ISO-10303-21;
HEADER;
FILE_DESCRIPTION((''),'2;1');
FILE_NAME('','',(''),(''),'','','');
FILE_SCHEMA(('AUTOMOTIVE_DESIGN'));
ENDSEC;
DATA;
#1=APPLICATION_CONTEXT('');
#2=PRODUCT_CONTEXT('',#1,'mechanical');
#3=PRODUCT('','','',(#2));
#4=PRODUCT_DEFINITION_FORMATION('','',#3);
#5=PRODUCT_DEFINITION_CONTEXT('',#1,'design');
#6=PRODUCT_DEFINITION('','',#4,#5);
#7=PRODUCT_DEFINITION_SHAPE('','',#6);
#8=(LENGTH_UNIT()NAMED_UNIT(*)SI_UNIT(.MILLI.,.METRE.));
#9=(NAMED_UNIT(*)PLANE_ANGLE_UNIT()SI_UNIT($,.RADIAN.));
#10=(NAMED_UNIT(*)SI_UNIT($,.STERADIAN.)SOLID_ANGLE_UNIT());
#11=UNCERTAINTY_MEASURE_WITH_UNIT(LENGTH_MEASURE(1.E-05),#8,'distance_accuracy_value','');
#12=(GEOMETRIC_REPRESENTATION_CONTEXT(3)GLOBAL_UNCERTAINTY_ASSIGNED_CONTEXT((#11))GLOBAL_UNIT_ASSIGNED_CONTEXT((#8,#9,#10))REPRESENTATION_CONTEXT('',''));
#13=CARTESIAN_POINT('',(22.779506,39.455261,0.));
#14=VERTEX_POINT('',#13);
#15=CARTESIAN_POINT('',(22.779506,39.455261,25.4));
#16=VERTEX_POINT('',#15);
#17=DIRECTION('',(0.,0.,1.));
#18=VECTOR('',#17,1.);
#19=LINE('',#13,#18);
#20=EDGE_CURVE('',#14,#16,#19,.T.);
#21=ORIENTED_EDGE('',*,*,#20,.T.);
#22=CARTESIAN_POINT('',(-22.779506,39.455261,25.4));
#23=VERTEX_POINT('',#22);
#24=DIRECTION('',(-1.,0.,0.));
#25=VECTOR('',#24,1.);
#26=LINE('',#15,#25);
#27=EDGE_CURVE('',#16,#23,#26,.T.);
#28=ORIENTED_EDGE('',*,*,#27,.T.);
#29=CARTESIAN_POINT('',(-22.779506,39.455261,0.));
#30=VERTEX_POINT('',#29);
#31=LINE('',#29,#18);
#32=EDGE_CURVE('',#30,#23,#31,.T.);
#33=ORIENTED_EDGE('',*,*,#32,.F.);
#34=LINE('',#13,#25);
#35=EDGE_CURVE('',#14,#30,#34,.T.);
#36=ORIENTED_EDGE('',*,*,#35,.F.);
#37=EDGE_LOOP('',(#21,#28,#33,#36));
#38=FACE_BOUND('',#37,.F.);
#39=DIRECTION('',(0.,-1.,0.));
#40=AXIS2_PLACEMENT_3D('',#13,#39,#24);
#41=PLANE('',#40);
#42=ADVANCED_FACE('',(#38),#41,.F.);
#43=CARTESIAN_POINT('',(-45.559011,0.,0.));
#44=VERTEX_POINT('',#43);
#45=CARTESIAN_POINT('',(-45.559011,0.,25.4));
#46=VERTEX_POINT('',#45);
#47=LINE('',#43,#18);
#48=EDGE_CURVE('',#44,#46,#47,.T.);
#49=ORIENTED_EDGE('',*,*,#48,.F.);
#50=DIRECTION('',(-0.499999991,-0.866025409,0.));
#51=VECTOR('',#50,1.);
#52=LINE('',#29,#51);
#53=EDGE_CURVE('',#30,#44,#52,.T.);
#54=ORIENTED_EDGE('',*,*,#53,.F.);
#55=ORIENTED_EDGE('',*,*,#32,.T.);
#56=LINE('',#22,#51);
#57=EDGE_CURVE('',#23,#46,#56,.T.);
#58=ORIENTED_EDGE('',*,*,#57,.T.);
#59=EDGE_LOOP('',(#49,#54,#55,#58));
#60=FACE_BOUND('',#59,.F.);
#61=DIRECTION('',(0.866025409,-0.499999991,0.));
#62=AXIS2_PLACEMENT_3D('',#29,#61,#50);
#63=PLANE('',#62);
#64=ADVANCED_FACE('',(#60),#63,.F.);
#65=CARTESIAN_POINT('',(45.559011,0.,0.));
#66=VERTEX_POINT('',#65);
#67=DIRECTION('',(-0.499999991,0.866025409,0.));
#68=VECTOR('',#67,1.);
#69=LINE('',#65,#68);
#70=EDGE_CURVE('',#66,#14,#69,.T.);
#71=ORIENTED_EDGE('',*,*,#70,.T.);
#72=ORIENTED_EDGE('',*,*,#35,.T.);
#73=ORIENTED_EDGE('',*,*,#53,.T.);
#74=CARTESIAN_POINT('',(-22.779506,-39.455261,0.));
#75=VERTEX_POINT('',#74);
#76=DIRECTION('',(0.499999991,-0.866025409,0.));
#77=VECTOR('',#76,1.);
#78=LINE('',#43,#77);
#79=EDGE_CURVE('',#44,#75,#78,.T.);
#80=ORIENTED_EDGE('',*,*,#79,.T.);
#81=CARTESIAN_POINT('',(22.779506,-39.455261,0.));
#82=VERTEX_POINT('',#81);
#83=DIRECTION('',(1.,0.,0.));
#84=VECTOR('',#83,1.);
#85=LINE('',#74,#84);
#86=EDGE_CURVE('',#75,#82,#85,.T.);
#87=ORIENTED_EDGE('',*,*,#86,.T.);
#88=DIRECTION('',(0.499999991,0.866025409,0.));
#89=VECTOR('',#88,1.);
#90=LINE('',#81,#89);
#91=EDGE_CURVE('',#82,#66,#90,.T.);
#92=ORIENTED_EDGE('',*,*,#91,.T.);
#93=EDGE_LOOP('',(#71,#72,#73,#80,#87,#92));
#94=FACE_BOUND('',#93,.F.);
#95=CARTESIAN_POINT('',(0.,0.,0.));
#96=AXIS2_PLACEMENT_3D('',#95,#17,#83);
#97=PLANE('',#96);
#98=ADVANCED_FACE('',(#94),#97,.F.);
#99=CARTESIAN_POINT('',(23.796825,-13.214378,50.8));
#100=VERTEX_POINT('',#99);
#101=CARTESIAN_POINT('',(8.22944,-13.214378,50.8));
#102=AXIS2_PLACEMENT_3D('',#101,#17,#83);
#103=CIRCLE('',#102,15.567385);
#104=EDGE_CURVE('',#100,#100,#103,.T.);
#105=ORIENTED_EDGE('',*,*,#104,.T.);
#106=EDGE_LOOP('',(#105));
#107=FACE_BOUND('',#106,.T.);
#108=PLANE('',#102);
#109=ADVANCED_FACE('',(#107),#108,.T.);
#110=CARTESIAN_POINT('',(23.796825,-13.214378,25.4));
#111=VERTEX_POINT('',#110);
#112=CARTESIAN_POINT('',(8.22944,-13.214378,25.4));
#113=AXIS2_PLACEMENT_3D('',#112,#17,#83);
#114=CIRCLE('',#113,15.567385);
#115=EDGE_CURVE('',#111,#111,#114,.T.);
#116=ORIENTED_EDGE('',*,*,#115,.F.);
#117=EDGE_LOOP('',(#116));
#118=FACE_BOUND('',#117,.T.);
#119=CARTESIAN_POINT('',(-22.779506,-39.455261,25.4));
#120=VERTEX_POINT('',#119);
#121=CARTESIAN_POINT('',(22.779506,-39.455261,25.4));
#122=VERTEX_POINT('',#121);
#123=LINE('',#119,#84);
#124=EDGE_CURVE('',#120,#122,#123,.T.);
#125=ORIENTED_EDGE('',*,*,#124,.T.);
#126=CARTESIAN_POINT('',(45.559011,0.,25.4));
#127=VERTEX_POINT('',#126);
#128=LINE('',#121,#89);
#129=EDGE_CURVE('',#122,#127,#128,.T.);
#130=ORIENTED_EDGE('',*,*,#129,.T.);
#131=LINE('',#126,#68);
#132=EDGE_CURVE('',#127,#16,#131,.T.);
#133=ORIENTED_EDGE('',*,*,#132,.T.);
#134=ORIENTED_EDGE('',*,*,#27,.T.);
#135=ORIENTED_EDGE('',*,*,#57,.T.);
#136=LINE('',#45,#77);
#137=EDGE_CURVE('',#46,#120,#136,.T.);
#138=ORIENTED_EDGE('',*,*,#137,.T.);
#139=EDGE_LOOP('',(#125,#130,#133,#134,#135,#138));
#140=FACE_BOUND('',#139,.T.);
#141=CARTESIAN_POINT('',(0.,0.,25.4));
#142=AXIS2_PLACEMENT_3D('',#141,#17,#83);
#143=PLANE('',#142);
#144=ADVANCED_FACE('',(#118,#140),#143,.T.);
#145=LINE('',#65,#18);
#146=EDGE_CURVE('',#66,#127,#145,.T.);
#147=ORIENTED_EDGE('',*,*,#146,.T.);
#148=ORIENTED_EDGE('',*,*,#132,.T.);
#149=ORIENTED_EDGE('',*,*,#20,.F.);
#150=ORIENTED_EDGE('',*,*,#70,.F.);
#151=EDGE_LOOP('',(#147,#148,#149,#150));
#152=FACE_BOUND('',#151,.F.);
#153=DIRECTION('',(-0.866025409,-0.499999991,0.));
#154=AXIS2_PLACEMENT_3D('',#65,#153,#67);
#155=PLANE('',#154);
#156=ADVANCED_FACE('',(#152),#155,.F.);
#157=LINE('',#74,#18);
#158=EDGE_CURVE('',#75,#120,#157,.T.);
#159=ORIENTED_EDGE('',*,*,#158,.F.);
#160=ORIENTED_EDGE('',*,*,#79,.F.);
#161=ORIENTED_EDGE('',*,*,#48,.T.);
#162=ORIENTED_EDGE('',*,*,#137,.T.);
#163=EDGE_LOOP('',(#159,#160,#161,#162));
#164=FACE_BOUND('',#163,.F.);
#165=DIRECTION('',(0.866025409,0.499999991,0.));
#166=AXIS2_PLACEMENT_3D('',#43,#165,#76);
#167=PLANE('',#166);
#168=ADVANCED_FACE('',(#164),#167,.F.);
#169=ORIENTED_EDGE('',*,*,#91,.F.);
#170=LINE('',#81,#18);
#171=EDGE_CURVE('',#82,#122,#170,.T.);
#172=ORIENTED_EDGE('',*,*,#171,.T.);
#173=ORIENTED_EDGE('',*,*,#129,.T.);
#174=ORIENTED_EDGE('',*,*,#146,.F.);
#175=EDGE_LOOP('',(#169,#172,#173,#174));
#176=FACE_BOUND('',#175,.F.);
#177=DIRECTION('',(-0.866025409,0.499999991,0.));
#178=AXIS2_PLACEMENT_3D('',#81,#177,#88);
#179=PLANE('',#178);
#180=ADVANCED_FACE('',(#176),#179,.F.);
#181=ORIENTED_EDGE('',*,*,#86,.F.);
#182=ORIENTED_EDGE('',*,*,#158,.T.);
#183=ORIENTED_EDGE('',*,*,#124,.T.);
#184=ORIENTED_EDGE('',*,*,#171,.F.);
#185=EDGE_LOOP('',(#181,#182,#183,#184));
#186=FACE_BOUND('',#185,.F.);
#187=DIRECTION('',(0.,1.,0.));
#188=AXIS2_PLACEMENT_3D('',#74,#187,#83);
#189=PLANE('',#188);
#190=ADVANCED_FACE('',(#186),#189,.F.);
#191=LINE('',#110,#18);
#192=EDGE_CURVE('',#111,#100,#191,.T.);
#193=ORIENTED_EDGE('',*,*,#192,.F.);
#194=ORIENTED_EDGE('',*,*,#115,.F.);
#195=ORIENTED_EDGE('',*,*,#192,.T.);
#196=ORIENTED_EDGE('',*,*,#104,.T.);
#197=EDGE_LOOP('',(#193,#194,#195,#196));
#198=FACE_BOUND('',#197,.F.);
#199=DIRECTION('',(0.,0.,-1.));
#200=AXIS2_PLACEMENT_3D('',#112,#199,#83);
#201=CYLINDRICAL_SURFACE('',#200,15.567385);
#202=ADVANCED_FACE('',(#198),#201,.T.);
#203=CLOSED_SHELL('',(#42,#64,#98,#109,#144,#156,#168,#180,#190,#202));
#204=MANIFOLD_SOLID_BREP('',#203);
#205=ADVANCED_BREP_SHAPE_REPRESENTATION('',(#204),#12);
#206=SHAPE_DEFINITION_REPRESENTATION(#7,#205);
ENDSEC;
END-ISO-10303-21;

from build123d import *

# Parameters (mm, degrees)
F1_DEPTH = 25.4
F2_R     = 15.567385
F3_DEPTH = 25.4


with BuildPart() as f1:
    # F0 (on Top) → F1 (new body)
    with BuildSketch(Plane.XY):
        Polygon((22.779506, 39.455261), (-22.779506, 39.455261), (-45.559011, 0), (-22.779506, -39.455261), (22.779506, -39.455261), (45.559011, 0), align=None)
    extrude(amount=F1_DEPTH)

    # F2 (on face) → F3 (join)
    with BuildSketch(Plane.XY.offset(25.4)):
        with Locations((8.22944, -13.214378)):
            Circle(F2_R)
    extrude(amount=F3_DEPTH)


solid = f1.part
